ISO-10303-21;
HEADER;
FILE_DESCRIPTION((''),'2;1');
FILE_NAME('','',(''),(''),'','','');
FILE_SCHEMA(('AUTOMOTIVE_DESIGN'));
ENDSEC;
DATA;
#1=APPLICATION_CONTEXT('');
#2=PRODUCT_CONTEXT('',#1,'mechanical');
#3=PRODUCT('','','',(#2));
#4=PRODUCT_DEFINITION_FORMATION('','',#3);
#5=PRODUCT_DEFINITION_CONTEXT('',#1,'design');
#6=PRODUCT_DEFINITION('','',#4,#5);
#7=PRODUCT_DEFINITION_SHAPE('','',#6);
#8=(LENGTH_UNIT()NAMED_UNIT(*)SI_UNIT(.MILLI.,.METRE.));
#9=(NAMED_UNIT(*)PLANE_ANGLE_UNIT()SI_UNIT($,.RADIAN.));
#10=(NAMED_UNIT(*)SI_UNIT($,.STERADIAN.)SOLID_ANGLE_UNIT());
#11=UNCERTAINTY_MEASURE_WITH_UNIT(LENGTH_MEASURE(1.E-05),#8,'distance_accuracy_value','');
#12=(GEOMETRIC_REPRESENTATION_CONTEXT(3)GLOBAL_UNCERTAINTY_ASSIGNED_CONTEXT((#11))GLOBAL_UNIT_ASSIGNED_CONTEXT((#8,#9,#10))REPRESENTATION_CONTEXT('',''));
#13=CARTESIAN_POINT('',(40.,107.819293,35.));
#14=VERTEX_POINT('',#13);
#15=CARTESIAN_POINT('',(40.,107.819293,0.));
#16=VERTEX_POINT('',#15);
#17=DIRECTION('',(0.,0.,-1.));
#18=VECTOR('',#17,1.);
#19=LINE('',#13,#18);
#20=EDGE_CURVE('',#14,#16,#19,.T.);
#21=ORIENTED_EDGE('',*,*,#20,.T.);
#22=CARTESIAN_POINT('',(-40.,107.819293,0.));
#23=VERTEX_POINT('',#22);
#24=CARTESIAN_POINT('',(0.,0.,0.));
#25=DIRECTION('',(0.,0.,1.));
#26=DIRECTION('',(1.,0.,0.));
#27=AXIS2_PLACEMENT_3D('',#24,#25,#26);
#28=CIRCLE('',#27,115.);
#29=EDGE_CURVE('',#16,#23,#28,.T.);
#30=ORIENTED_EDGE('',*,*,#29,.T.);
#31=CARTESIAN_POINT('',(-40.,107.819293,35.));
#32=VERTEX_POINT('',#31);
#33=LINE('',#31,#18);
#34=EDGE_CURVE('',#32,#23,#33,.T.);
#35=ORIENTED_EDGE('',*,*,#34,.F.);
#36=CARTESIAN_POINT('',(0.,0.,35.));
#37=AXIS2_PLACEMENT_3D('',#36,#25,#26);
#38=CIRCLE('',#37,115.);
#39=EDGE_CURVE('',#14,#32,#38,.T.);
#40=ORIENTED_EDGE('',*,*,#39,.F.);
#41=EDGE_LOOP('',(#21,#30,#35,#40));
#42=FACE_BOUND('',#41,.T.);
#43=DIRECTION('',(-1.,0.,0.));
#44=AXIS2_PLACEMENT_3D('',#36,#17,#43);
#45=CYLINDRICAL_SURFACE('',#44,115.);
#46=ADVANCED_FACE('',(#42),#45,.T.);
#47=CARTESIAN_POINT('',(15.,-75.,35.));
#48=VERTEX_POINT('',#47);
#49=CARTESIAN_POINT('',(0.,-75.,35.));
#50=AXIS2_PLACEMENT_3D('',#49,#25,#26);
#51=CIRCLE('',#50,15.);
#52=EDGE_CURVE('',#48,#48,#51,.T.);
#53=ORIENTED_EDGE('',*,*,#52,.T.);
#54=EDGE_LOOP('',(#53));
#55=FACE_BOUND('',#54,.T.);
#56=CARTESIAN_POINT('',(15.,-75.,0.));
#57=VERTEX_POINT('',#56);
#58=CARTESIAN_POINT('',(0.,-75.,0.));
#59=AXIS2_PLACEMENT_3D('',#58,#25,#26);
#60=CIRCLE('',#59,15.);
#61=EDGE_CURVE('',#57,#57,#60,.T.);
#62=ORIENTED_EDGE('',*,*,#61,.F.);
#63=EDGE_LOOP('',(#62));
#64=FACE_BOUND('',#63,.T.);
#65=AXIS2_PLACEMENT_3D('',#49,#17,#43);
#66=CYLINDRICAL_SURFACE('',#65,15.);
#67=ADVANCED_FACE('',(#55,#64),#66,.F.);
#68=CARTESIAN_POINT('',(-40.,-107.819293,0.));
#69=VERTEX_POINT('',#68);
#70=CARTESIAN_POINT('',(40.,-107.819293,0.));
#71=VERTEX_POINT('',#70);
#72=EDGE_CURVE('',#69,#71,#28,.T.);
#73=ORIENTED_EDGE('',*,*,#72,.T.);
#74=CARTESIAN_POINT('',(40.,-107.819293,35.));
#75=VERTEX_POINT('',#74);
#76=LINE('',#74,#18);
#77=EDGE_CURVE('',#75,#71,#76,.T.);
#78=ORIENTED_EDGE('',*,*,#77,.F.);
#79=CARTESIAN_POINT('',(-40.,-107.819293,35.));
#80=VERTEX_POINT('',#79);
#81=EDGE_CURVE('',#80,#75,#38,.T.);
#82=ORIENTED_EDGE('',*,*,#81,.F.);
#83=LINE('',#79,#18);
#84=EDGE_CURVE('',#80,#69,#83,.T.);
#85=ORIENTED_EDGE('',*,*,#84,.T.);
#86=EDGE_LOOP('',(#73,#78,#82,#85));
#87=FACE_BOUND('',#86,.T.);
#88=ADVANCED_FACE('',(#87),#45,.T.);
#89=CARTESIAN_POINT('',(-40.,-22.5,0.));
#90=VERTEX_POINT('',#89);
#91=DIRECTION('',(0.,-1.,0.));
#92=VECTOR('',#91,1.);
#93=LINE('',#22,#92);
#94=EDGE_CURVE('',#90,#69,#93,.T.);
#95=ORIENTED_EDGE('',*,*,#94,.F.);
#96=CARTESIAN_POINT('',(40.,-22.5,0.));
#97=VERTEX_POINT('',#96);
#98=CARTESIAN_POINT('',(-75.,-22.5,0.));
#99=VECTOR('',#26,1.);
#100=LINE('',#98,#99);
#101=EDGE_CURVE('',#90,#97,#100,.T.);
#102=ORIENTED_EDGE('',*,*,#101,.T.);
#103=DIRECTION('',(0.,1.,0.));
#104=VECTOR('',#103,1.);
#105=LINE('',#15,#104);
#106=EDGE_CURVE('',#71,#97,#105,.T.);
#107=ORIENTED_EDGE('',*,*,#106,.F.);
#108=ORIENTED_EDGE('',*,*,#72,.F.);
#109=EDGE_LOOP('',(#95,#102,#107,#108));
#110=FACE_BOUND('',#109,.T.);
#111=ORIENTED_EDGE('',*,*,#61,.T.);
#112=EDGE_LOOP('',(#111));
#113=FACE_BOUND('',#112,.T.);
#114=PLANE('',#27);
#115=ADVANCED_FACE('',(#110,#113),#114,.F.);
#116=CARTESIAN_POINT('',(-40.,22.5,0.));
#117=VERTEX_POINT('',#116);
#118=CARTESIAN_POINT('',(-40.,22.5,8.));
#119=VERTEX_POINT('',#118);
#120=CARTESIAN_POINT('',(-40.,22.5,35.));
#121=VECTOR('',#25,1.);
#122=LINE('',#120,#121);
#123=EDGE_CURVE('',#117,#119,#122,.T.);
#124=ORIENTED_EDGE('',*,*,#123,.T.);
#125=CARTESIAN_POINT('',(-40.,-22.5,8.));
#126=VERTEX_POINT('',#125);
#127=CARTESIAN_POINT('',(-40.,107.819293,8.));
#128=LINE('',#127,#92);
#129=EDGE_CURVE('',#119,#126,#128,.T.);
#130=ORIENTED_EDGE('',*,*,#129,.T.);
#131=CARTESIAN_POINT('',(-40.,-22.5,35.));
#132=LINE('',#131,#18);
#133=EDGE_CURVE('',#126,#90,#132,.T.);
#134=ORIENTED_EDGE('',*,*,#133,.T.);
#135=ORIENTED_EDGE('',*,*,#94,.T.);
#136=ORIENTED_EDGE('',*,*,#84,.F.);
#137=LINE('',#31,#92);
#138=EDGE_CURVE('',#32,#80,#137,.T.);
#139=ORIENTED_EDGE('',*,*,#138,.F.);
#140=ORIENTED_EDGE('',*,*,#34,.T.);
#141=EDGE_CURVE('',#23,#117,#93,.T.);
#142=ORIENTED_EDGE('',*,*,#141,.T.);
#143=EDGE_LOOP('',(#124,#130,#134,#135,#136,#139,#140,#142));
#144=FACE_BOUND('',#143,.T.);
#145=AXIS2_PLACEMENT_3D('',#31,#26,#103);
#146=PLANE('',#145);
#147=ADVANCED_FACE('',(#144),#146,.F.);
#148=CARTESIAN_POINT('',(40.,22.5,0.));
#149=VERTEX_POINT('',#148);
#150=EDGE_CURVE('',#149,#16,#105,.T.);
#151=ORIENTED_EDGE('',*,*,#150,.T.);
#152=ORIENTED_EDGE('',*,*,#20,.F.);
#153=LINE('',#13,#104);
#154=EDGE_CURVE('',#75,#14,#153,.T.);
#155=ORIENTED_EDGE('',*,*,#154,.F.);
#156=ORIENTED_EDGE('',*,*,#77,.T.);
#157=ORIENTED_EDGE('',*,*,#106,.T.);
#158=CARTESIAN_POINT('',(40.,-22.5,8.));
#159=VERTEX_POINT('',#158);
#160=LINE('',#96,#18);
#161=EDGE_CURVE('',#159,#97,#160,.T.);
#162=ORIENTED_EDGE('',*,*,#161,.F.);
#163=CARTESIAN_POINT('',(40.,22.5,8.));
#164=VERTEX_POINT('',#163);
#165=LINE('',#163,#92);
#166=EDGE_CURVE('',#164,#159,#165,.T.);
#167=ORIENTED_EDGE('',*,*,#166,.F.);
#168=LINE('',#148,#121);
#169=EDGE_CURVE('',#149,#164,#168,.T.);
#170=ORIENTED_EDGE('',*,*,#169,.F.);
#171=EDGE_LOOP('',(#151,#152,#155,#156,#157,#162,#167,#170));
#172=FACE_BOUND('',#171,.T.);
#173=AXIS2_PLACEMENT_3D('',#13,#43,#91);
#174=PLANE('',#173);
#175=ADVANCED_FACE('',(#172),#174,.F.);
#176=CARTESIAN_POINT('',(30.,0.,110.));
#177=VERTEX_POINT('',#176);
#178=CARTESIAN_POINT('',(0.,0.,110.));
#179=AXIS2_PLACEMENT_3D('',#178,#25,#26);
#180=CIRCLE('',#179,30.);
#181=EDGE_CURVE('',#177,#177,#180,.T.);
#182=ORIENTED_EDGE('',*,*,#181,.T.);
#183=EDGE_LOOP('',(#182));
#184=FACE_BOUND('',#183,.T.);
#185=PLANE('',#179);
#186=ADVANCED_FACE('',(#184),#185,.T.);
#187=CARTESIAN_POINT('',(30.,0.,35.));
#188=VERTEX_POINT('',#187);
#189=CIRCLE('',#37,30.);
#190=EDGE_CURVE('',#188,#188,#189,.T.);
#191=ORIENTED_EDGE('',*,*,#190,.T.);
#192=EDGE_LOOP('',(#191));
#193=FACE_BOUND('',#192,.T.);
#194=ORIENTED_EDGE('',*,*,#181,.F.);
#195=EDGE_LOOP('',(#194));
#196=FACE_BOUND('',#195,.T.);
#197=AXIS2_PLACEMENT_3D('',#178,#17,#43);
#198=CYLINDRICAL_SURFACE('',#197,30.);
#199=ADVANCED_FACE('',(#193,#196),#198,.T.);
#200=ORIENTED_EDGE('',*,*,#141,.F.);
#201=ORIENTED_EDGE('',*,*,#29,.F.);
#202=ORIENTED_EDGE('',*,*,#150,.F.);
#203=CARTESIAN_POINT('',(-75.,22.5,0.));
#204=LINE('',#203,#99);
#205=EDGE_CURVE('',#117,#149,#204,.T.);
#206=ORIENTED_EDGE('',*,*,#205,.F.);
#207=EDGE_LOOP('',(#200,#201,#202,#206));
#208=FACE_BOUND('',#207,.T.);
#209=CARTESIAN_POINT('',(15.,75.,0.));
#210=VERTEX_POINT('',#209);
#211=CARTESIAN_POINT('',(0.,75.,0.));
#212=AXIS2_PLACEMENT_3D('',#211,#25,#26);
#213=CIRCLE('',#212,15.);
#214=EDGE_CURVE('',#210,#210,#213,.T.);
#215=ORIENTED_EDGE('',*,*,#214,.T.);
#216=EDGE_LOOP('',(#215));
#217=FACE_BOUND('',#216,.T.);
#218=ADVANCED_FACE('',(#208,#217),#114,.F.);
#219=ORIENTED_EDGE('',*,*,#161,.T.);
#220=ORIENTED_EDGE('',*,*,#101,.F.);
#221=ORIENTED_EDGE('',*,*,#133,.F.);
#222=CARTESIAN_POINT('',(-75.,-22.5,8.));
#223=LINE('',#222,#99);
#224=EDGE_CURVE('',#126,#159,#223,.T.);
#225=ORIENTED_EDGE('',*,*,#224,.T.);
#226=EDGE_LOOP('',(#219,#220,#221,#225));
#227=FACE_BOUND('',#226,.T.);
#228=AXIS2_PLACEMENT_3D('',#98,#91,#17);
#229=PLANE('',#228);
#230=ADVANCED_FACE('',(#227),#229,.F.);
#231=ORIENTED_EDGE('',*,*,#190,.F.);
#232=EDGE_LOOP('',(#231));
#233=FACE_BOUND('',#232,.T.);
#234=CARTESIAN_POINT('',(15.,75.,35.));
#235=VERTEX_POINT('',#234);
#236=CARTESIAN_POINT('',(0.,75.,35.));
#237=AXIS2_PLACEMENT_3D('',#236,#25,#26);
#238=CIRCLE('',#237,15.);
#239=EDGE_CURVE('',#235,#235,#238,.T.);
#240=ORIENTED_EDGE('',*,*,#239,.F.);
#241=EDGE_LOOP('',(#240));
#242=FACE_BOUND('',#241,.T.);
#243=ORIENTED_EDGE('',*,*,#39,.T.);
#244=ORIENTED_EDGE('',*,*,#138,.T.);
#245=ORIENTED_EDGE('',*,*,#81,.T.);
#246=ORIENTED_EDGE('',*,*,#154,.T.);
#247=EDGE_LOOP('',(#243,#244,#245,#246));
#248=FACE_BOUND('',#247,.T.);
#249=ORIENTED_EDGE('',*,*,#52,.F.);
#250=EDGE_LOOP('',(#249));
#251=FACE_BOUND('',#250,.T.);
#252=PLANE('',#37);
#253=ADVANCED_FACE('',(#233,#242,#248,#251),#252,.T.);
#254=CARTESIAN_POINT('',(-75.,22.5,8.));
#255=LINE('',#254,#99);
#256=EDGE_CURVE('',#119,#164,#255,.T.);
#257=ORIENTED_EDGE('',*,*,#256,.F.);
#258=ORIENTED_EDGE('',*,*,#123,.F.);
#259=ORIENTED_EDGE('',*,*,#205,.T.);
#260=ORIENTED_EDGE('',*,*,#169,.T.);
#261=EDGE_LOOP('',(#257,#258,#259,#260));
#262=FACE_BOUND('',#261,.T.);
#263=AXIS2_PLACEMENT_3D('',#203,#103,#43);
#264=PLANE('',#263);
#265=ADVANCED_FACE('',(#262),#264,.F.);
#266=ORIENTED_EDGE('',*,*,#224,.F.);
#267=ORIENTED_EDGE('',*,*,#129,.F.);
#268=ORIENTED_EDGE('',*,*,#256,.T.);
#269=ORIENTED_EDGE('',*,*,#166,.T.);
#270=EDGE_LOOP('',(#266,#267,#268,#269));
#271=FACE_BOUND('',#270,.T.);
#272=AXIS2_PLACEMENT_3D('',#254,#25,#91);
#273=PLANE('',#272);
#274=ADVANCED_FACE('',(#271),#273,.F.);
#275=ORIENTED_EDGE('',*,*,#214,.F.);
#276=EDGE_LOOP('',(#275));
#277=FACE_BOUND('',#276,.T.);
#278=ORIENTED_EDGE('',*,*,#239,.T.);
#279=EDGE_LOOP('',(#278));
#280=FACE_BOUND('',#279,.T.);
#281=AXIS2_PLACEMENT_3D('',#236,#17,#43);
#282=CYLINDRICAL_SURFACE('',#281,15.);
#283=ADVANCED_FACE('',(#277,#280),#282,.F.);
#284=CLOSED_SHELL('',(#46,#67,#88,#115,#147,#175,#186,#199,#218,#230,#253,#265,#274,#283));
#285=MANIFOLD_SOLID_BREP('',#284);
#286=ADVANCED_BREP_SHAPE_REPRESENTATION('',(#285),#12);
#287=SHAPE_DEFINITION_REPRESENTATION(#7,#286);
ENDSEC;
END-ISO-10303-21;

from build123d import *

# Parameters (mm, degrees)
SKETCH1_R           = 15
BOSS_EXTRUDE1_DEPTH = 35
SKETCH3_W           = 8
SKETCH3_H           = 45
CUT_EXTRUDE1_DEPTH  = 115
SKETCH5_R           = 30
BOSS_EXTRUDE2_DEPTH = 75


with BuildPart() as part:
    # Sketch1 → Boss-Extrude1 (new body)
    with BuildSketch(Plane.XY):
        with BuildLine():
            Line((-40, 107.819293264), (-40, -107.819293264))
            ThreePointArc((-40, -107.819293264), (0, -115), (40, -107.819293264))
            Line((40, -107.819293264), (40, 107.819293264))
            ThreePointArc((40, 107.819293264), (0, 115), (-40, 107.819293264))
        make_face()
        with Locations((0, 75)):
            Circle(SKETCH1_R, mode=Mode.SUBTRACT)
        with Locations((0, -75)):
            Circle(SKETCH1_R, mode=Mode.SUBTRACT)
    extrude(amount=BOSS_EXTRUDE1_DEPTH)

    # Sketch3 → Cut-Extrude1 (cut)
    with BuildSketch(Plane(origin=(40, 0, 0), x_dir=(0, 0, -1), z_dir=(1, 0, 0))):
        with Locations((-4, 0)):
            Rectangle(SKETCH3_W, SKETCH3_H)
    extrude(amount=-CUT_EXTRUDE1_DEPTH, mode=Mode.SUBTRACT)

    # Sketch5 → Boss-Extrude2 (add)
    with BuildSketch(Plane.XY.offset(35)):
        Circle(SKETCH5_R)
    extrude(amount=BOSS_EXTRUDE2_DEPTH)


solid = part.part
